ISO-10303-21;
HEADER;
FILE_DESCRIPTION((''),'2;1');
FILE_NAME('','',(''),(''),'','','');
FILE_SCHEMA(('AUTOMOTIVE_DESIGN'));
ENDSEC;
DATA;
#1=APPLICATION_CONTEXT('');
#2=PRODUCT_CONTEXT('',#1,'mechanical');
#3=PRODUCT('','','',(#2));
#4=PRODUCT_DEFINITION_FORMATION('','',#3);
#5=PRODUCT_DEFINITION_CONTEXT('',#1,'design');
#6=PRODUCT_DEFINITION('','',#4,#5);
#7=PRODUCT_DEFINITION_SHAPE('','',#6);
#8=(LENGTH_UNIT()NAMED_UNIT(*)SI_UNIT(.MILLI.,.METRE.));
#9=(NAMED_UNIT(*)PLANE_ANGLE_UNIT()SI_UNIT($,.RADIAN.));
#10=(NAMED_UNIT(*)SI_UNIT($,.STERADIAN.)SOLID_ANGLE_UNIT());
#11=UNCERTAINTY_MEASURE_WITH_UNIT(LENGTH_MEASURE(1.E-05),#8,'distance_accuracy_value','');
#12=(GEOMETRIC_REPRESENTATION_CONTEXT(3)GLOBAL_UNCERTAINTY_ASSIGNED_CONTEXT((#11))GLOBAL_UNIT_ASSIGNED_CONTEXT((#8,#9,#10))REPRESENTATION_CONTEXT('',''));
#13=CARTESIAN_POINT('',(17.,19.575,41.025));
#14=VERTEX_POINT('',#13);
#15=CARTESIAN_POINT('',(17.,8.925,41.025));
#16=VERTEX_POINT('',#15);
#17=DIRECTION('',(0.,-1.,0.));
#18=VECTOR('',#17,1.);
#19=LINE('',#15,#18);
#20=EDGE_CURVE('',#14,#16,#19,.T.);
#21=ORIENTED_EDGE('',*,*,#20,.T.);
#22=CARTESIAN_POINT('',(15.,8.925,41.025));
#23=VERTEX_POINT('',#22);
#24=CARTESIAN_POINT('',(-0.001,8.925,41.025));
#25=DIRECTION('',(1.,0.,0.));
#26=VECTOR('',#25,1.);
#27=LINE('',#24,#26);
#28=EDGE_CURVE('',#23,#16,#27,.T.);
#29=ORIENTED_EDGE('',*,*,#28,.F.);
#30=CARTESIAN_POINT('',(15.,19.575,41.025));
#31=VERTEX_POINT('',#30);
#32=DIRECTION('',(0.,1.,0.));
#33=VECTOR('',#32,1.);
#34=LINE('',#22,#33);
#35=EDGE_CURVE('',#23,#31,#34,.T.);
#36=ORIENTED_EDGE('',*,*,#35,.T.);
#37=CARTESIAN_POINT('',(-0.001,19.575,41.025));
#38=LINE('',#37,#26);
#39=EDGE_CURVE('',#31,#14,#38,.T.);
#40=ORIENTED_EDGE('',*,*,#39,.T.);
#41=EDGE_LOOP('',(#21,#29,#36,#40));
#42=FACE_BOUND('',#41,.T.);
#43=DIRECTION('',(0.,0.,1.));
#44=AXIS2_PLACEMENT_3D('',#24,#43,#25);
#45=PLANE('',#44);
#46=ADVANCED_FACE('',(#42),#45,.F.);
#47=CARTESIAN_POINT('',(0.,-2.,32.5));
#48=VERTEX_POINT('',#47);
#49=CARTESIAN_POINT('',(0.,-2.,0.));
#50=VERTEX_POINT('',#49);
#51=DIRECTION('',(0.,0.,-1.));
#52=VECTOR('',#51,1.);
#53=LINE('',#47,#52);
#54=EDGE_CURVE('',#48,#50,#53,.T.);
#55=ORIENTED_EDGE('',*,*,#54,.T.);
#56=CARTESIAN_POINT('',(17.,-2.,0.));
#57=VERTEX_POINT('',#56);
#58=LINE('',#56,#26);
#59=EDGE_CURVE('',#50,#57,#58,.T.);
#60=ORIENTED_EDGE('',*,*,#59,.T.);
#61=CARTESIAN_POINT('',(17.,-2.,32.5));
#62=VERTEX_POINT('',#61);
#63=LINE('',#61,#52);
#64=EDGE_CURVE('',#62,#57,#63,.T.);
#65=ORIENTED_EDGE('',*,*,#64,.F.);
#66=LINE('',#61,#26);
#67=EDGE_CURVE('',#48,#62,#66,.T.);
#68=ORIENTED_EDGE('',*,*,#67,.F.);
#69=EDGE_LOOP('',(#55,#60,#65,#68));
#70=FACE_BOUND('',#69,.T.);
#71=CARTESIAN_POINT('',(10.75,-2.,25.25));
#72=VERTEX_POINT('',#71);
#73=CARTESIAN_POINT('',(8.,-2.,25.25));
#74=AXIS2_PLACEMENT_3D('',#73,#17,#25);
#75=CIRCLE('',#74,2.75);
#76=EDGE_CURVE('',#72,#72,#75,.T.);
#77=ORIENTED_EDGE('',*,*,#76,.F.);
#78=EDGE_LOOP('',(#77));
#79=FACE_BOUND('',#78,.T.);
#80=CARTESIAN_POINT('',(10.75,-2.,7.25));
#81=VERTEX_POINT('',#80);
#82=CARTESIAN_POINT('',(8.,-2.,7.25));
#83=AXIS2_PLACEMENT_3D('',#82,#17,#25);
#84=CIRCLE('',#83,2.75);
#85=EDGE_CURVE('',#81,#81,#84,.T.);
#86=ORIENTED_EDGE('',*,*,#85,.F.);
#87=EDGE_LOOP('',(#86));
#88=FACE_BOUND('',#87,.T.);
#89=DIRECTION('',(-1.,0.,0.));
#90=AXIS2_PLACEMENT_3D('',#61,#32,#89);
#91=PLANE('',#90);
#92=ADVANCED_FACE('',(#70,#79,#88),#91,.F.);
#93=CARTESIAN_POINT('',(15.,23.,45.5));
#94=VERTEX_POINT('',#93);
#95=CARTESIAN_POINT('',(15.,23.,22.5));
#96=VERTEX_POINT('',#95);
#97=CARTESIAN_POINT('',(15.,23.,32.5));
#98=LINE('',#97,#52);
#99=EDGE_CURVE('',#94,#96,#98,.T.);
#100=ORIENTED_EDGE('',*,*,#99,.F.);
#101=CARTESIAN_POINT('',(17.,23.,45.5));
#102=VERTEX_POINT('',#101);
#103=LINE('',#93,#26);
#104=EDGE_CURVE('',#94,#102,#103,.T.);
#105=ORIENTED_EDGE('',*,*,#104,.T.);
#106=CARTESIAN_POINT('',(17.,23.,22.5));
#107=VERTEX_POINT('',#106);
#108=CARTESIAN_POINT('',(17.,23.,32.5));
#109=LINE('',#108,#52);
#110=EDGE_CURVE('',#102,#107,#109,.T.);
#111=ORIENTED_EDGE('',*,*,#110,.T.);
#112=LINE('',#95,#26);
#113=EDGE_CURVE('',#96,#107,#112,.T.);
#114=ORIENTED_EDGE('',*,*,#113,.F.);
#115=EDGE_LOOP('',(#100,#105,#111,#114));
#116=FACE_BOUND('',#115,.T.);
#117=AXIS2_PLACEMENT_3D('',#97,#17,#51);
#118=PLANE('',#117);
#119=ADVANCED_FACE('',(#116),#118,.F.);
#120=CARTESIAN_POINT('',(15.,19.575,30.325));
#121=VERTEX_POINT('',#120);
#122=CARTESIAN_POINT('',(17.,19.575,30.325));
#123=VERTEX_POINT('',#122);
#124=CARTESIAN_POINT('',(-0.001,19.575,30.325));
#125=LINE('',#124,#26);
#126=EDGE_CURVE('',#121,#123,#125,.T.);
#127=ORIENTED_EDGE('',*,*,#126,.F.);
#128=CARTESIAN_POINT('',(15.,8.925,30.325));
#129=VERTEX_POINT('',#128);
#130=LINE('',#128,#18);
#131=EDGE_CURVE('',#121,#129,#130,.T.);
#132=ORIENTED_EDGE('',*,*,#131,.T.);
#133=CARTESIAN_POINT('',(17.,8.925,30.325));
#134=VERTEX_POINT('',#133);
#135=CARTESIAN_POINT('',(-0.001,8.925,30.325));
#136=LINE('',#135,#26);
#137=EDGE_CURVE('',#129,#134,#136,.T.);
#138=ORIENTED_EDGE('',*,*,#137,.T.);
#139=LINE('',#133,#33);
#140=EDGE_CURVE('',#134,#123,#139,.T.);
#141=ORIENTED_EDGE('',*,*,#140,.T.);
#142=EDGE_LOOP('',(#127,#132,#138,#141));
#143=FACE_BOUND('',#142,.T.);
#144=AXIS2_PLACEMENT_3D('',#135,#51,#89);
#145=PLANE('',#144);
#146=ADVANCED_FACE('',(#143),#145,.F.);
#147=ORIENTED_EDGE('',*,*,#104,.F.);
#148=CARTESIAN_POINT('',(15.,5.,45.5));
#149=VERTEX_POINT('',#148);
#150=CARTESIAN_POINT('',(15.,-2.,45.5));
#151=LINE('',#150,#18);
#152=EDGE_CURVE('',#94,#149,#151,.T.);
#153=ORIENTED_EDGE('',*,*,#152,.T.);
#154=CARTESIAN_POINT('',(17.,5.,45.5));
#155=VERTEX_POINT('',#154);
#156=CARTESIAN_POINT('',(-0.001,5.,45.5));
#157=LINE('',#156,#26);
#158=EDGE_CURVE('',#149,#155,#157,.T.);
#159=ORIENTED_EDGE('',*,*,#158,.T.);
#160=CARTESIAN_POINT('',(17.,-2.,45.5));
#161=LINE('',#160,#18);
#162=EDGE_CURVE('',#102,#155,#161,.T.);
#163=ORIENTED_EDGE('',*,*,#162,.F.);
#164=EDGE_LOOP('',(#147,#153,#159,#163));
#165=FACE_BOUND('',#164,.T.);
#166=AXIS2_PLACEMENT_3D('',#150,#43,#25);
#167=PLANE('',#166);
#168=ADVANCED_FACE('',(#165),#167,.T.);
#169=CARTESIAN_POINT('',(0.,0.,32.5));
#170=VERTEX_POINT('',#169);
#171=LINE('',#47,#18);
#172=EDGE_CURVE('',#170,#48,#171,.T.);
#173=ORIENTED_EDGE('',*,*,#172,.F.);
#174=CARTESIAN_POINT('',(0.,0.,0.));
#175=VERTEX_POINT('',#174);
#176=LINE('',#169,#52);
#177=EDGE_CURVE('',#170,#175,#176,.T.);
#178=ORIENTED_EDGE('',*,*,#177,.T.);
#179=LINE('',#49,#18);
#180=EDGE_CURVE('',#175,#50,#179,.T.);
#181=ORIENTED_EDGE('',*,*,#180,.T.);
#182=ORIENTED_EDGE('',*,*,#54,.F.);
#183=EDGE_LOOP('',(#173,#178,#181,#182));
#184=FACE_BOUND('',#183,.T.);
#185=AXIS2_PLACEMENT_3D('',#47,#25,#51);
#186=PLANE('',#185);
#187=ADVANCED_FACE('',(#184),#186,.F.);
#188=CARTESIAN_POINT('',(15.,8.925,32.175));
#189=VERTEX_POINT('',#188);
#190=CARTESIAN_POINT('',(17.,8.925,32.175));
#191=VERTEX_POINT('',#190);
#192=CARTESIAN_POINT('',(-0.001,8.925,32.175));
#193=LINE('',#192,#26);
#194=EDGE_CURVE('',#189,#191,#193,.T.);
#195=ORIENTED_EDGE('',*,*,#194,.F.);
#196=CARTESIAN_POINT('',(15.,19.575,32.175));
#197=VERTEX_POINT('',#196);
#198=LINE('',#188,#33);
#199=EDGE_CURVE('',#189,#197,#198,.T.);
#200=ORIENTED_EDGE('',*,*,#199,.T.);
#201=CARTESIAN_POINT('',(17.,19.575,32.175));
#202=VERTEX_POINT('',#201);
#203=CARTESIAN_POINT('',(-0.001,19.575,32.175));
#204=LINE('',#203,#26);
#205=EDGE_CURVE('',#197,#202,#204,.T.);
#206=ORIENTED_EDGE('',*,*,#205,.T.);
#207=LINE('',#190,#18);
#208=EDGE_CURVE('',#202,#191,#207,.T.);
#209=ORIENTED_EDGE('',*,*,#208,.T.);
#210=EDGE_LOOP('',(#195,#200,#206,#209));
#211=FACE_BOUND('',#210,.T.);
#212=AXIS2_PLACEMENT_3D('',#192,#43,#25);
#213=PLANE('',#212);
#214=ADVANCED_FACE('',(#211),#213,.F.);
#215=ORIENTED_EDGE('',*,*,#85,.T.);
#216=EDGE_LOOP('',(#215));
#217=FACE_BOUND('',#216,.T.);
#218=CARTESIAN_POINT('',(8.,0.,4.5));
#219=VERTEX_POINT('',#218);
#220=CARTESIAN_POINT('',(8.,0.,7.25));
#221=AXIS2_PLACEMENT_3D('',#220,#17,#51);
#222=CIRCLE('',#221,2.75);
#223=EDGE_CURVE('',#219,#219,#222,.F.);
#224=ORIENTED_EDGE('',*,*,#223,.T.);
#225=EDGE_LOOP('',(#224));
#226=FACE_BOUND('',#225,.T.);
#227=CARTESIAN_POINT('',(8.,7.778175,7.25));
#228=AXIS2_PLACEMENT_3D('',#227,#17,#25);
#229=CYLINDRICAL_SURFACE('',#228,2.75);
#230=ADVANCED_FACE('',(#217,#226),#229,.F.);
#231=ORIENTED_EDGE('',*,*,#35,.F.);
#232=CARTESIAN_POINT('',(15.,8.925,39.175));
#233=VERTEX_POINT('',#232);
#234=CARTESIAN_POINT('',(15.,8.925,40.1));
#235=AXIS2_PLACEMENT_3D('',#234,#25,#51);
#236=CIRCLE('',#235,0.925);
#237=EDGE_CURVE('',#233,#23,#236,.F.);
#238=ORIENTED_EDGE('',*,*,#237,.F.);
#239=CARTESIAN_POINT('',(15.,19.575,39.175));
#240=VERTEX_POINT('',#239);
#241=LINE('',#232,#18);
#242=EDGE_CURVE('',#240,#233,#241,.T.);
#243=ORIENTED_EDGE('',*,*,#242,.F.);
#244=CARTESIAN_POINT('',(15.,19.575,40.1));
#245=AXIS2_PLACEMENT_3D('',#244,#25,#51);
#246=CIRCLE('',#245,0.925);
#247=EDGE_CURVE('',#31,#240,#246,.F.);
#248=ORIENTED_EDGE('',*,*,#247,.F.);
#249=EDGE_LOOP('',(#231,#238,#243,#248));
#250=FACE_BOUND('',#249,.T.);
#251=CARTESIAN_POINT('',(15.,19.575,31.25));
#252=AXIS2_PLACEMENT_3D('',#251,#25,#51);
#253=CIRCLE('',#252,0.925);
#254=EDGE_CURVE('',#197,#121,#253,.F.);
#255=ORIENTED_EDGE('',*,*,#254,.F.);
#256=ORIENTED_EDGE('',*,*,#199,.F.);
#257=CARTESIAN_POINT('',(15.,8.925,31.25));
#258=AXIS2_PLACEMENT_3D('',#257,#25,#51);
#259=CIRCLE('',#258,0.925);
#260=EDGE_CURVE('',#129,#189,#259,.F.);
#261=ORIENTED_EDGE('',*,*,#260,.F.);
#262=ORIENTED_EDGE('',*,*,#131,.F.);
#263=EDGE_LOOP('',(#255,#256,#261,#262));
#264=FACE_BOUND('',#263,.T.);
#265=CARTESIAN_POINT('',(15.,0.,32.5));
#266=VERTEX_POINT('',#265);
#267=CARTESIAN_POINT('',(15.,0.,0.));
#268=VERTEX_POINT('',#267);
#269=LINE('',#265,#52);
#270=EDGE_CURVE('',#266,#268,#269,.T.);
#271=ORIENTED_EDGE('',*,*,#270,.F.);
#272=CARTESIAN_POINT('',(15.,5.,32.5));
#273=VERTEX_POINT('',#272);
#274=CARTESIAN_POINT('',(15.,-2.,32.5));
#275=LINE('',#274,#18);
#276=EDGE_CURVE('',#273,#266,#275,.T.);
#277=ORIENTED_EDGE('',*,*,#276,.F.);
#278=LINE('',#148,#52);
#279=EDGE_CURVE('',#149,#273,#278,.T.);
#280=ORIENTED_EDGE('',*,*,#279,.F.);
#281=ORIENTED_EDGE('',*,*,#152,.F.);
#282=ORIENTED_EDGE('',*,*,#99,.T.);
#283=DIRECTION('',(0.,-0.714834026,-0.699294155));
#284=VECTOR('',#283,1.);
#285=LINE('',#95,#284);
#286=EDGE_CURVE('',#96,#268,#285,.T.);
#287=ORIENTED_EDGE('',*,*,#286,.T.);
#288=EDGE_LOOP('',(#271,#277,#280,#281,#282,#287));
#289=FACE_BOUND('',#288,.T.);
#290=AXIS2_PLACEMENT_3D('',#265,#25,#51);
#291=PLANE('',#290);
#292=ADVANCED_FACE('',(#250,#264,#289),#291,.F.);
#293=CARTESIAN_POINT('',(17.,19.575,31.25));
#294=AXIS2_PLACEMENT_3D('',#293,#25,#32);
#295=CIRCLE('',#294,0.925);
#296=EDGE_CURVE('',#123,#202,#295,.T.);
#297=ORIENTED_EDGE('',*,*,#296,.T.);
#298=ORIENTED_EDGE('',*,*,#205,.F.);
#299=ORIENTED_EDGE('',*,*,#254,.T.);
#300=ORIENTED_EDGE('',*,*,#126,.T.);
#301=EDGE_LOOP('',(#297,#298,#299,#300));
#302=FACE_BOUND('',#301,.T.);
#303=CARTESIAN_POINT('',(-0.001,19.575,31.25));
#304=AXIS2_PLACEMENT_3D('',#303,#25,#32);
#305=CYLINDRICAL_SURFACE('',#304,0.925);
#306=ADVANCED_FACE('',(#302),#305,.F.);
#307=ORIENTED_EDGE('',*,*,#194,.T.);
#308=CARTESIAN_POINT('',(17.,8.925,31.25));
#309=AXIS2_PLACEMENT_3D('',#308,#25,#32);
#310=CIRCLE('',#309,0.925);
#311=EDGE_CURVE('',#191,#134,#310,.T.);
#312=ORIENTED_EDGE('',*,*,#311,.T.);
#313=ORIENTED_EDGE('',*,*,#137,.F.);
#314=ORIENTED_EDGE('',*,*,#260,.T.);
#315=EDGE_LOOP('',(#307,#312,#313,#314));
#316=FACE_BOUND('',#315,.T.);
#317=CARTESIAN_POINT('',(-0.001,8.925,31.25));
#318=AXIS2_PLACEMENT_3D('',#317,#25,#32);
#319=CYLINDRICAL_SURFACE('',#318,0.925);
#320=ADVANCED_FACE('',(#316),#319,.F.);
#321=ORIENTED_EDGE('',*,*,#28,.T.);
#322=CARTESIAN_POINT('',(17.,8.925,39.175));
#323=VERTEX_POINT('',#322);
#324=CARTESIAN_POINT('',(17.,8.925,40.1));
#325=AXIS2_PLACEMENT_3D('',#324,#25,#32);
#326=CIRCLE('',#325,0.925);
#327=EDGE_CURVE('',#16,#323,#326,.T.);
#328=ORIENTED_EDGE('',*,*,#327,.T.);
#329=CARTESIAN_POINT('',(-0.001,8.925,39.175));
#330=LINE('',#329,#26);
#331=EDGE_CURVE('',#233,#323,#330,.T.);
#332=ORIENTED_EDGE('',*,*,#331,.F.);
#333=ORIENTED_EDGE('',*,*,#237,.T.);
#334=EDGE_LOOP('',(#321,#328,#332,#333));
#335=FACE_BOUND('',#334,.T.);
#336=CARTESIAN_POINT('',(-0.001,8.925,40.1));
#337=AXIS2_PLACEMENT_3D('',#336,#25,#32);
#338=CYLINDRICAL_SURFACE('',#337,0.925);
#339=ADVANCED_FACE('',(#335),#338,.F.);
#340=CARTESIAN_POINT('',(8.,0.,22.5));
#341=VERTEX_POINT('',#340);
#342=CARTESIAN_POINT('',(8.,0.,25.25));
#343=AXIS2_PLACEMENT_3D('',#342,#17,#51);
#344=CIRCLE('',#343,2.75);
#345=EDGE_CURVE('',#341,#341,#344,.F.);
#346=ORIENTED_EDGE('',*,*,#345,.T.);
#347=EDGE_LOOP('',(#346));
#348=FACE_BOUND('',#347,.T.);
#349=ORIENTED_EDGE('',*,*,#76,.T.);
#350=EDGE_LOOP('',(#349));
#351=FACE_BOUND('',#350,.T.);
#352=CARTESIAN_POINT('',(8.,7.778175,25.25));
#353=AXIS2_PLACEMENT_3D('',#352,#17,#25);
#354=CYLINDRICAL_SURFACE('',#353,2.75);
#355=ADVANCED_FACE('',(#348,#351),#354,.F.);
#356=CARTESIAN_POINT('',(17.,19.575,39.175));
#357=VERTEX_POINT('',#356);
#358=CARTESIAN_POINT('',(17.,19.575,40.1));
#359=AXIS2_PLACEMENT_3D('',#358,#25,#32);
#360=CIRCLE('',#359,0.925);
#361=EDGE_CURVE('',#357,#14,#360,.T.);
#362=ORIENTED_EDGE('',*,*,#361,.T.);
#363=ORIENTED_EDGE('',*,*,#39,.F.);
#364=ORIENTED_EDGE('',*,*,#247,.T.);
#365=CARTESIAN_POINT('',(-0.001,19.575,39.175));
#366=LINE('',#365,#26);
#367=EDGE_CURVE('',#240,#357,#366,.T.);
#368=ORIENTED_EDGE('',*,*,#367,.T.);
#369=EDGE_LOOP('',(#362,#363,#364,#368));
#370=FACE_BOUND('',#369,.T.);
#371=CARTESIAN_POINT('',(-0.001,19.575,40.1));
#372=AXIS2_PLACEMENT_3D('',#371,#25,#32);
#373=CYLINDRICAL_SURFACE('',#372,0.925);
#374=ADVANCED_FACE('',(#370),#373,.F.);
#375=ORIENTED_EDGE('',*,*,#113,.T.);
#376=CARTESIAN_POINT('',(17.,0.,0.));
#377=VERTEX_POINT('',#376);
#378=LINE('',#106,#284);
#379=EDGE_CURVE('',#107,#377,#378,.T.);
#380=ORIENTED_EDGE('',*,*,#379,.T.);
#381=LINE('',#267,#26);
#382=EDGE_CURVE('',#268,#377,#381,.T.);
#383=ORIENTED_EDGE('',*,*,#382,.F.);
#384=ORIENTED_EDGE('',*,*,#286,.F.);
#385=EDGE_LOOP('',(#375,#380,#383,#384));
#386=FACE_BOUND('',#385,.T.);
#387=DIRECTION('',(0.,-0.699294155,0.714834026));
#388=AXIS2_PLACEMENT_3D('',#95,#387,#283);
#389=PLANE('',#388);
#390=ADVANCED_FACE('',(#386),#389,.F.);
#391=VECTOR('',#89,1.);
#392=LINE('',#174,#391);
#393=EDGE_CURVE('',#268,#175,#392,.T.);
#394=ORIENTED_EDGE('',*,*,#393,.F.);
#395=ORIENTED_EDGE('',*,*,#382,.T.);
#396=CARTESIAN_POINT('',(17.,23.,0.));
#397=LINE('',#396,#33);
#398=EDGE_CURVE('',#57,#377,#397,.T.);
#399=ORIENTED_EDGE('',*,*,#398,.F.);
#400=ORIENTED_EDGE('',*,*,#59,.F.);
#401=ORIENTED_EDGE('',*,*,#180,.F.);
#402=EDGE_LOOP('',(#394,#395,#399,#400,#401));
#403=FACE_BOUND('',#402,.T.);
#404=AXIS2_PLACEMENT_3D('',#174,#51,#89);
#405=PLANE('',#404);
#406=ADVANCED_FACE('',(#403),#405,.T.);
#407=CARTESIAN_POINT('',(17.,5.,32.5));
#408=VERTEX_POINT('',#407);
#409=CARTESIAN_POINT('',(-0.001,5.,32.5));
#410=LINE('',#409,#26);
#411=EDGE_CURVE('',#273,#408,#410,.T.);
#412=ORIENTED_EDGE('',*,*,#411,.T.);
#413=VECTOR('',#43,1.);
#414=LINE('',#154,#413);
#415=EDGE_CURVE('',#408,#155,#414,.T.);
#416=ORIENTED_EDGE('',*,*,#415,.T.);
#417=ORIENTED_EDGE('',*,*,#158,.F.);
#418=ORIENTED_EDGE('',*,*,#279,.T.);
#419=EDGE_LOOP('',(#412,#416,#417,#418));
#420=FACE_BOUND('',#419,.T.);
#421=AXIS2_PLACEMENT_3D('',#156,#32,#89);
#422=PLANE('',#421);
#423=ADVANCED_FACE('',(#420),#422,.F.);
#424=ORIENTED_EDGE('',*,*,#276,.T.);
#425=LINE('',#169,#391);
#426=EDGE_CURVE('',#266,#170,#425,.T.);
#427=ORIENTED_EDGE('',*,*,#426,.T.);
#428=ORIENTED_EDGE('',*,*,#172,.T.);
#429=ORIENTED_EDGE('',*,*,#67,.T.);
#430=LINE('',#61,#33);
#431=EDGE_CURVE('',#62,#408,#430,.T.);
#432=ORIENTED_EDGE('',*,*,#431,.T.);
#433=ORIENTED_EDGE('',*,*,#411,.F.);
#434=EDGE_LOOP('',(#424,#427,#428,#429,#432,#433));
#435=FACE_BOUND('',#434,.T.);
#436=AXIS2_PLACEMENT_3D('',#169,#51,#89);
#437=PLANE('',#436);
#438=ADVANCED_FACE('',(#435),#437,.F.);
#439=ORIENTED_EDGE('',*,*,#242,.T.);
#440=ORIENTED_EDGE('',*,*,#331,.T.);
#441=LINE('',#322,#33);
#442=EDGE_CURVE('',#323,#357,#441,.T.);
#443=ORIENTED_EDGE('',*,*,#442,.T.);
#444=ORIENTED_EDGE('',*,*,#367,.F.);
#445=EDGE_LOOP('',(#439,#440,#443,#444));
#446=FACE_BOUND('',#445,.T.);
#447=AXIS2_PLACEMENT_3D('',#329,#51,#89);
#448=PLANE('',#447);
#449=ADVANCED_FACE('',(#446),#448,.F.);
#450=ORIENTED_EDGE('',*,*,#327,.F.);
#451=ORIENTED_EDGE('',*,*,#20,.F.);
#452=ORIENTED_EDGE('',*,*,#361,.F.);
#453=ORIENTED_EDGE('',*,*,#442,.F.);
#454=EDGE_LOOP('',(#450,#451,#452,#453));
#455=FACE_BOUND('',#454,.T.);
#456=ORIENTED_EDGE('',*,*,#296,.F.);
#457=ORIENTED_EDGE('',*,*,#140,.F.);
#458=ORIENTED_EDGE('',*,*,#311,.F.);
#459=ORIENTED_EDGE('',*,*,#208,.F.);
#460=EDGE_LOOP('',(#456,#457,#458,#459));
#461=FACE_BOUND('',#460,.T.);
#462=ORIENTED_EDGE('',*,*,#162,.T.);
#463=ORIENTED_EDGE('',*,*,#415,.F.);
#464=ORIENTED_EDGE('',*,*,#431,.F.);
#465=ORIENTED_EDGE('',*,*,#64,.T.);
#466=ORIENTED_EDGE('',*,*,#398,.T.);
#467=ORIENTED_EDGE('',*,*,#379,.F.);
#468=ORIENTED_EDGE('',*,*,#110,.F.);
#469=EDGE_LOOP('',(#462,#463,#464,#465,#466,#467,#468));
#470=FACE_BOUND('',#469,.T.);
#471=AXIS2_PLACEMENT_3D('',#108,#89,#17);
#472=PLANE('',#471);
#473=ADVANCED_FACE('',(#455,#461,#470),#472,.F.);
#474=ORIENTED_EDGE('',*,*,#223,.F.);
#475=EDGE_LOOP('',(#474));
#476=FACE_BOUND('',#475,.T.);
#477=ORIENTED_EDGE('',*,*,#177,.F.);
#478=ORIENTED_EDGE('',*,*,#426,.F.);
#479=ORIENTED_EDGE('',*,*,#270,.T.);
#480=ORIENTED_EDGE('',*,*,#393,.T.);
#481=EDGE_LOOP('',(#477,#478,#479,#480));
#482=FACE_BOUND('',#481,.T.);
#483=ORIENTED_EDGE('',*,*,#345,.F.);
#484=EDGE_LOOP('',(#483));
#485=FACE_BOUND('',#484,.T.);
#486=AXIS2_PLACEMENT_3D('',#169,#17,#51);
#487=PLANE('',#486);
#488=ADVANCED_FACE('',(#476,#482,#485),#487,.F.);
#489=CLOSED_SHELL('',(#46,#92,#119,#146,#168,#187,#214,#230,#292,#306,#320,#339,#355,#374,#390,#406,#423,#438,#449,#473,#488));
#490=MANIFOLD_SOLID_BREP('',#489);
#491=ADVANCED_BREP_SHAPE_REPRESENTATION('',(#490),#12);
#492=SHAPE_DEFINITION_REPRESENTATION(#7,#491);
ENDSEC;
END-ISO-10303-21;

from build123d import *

# Parameters (mm, degrees)
BOSS_EXTRUDE1_DEPTH = 32.5
SKETCH2_R           = 2.75
CUT_EXTRUDE1_DEPTH  = 2
CUT_EXTRUDE2_DEPTH  = 2
SKETCH4_W           = 25
SKETCH4_H           = 13
BOSS_EXTRUDE2_DEPTH = 2
CUT_EXTRUDE3_REACH  = 55.742
CUT_EXTRUDE4_REACH  = 55.742
SKETCH7_W           = 7
SKETCH7_H           = 13


with BuildPart() as part:
    # Sketch1 → Boss-Extrude1 (new body)
    with BuildSketch(Plane(origin=(0, 0, 0), x_dir=(0, 1, 0), z_dir=(0, 0, 1))):
        Polygon((0, 0), (0, -15), (23, -15), (23, -17), (-2, -17), (-2, 0), align=None)
    extrude(amount=BOSS_EXTRUDE1_DEPTH)

    # Sketch2 → Cut-Extrude1 (cut)
    with BuildSketch(Plane.XZ.offset(2)):
        with Locations((8, 25.25)):
            Circle(SKETCH2_R)
        with Locations((8, 7.25)):
            Circle(SKETCH2_R)
    extrude(amount=-CUT_EXTRUDE1_DEPTH, mode=Mode.SUBTRACT)

    # Sketch3 → Cut-Extrude2 (cut)
    with BuildSketch(Plane.YZ.offset(17)):
        Polygon((23, 22.5), (0, 0), (23, 0), align=None)
    extrude(amount=-CUT_EXTRUDE2_DEPTH, mode=Mode.SUBTRACT)

    # Sketch4 → Boss-Extrude2 (add)
    with BuildSketch(Plane.YZ.offset(17)):
        with Locations((10.5, 39)):
            Rectangle(SKETCH4_W, SKETCH4_H)
    extrude(amount=-BOSS_EXTRUDE2_DEPTH)

    # Sketch5 → Cut-Extrude3 (cut, up to next)
    with BuildSketch(Plane.YZ.offset(17), mode=Mode.PRIVATE) as cut_extrude3_sk1:
        with BuildLine():
            Line((8.925, 41.025), (19.575, 41.025))
            ThreePointArc((19.575, 41.025), (20.5, 40.1), (19.575, 39.175))
            Line((19.575, 39.175), (8.925, 39.175))
            ThreePointArc((8.925, 39.175), (8, 40.1), (8.925, 41.025))
        make_face()
    cut_extrude3_tool1 = extrude(cut_extrude3_sk1.sketch, amount=-CUT_EXTRUDE3_REACH, mode=Mode.PRIVATE) & part.part
    # Sketch5 → Cut-Extrude3 (cut, up to next)
    with BuildSketch(Plane.YZ.offset(17), mode=Mode.PRIVATE) as cut_extrude3_sk2:
        with BuildLine():
            Line((8.925, 32.175), (19.575, 32.175))
            ThreePointArc((19.575, 32.175), (20.5, 31.25), (19.575, 30.325))
            Line((19.575, 30.325), (8.925, 30.325))
            ThreePointArc((8.925, 30.325), (8, 31.25), (8.925, 32.175))
        make_face()
    cut_extrude3_tool2 = extrude(cut_extrude3_sk2.sketch, amount=-CUT_EXTRUDE3_REACH, mode=Mode.PRIVATE) & part.part
    add(cut_extrude3_tool1.solids().sort_by_distance((17, 14.25, 40.1))[0], mode=Mode.SUBTRACT)
    add(cut_extrude3_tool2.solids().sort_by_distance((17, 14.25, 31.25))[0], mode=Mode.SUBTRACT)

    # Sketch7 → Cut-Extrude4 (cut, up to next)
    with BuildSketch(Plane.YZ.offset(17), mode=Mode.PRIVATE) as cut_extrude4_sk1:
        with Locations((1.5, 39)):
            Rectangle(SKETCH7_W, SKETCH7_H)
    cut_extrude4_tool1 = extrude(cut_extrude4_sk1.sketch, amount=-CUT_EXTRUDE4_REACH, mode=Mode.PRIVATE) & part.part
    add(cut_extrude4_tool1.solids().sort_by_distance((17, 1.5, 39))[0], mode=Mode.SUBTRACT)


solid = part.part
